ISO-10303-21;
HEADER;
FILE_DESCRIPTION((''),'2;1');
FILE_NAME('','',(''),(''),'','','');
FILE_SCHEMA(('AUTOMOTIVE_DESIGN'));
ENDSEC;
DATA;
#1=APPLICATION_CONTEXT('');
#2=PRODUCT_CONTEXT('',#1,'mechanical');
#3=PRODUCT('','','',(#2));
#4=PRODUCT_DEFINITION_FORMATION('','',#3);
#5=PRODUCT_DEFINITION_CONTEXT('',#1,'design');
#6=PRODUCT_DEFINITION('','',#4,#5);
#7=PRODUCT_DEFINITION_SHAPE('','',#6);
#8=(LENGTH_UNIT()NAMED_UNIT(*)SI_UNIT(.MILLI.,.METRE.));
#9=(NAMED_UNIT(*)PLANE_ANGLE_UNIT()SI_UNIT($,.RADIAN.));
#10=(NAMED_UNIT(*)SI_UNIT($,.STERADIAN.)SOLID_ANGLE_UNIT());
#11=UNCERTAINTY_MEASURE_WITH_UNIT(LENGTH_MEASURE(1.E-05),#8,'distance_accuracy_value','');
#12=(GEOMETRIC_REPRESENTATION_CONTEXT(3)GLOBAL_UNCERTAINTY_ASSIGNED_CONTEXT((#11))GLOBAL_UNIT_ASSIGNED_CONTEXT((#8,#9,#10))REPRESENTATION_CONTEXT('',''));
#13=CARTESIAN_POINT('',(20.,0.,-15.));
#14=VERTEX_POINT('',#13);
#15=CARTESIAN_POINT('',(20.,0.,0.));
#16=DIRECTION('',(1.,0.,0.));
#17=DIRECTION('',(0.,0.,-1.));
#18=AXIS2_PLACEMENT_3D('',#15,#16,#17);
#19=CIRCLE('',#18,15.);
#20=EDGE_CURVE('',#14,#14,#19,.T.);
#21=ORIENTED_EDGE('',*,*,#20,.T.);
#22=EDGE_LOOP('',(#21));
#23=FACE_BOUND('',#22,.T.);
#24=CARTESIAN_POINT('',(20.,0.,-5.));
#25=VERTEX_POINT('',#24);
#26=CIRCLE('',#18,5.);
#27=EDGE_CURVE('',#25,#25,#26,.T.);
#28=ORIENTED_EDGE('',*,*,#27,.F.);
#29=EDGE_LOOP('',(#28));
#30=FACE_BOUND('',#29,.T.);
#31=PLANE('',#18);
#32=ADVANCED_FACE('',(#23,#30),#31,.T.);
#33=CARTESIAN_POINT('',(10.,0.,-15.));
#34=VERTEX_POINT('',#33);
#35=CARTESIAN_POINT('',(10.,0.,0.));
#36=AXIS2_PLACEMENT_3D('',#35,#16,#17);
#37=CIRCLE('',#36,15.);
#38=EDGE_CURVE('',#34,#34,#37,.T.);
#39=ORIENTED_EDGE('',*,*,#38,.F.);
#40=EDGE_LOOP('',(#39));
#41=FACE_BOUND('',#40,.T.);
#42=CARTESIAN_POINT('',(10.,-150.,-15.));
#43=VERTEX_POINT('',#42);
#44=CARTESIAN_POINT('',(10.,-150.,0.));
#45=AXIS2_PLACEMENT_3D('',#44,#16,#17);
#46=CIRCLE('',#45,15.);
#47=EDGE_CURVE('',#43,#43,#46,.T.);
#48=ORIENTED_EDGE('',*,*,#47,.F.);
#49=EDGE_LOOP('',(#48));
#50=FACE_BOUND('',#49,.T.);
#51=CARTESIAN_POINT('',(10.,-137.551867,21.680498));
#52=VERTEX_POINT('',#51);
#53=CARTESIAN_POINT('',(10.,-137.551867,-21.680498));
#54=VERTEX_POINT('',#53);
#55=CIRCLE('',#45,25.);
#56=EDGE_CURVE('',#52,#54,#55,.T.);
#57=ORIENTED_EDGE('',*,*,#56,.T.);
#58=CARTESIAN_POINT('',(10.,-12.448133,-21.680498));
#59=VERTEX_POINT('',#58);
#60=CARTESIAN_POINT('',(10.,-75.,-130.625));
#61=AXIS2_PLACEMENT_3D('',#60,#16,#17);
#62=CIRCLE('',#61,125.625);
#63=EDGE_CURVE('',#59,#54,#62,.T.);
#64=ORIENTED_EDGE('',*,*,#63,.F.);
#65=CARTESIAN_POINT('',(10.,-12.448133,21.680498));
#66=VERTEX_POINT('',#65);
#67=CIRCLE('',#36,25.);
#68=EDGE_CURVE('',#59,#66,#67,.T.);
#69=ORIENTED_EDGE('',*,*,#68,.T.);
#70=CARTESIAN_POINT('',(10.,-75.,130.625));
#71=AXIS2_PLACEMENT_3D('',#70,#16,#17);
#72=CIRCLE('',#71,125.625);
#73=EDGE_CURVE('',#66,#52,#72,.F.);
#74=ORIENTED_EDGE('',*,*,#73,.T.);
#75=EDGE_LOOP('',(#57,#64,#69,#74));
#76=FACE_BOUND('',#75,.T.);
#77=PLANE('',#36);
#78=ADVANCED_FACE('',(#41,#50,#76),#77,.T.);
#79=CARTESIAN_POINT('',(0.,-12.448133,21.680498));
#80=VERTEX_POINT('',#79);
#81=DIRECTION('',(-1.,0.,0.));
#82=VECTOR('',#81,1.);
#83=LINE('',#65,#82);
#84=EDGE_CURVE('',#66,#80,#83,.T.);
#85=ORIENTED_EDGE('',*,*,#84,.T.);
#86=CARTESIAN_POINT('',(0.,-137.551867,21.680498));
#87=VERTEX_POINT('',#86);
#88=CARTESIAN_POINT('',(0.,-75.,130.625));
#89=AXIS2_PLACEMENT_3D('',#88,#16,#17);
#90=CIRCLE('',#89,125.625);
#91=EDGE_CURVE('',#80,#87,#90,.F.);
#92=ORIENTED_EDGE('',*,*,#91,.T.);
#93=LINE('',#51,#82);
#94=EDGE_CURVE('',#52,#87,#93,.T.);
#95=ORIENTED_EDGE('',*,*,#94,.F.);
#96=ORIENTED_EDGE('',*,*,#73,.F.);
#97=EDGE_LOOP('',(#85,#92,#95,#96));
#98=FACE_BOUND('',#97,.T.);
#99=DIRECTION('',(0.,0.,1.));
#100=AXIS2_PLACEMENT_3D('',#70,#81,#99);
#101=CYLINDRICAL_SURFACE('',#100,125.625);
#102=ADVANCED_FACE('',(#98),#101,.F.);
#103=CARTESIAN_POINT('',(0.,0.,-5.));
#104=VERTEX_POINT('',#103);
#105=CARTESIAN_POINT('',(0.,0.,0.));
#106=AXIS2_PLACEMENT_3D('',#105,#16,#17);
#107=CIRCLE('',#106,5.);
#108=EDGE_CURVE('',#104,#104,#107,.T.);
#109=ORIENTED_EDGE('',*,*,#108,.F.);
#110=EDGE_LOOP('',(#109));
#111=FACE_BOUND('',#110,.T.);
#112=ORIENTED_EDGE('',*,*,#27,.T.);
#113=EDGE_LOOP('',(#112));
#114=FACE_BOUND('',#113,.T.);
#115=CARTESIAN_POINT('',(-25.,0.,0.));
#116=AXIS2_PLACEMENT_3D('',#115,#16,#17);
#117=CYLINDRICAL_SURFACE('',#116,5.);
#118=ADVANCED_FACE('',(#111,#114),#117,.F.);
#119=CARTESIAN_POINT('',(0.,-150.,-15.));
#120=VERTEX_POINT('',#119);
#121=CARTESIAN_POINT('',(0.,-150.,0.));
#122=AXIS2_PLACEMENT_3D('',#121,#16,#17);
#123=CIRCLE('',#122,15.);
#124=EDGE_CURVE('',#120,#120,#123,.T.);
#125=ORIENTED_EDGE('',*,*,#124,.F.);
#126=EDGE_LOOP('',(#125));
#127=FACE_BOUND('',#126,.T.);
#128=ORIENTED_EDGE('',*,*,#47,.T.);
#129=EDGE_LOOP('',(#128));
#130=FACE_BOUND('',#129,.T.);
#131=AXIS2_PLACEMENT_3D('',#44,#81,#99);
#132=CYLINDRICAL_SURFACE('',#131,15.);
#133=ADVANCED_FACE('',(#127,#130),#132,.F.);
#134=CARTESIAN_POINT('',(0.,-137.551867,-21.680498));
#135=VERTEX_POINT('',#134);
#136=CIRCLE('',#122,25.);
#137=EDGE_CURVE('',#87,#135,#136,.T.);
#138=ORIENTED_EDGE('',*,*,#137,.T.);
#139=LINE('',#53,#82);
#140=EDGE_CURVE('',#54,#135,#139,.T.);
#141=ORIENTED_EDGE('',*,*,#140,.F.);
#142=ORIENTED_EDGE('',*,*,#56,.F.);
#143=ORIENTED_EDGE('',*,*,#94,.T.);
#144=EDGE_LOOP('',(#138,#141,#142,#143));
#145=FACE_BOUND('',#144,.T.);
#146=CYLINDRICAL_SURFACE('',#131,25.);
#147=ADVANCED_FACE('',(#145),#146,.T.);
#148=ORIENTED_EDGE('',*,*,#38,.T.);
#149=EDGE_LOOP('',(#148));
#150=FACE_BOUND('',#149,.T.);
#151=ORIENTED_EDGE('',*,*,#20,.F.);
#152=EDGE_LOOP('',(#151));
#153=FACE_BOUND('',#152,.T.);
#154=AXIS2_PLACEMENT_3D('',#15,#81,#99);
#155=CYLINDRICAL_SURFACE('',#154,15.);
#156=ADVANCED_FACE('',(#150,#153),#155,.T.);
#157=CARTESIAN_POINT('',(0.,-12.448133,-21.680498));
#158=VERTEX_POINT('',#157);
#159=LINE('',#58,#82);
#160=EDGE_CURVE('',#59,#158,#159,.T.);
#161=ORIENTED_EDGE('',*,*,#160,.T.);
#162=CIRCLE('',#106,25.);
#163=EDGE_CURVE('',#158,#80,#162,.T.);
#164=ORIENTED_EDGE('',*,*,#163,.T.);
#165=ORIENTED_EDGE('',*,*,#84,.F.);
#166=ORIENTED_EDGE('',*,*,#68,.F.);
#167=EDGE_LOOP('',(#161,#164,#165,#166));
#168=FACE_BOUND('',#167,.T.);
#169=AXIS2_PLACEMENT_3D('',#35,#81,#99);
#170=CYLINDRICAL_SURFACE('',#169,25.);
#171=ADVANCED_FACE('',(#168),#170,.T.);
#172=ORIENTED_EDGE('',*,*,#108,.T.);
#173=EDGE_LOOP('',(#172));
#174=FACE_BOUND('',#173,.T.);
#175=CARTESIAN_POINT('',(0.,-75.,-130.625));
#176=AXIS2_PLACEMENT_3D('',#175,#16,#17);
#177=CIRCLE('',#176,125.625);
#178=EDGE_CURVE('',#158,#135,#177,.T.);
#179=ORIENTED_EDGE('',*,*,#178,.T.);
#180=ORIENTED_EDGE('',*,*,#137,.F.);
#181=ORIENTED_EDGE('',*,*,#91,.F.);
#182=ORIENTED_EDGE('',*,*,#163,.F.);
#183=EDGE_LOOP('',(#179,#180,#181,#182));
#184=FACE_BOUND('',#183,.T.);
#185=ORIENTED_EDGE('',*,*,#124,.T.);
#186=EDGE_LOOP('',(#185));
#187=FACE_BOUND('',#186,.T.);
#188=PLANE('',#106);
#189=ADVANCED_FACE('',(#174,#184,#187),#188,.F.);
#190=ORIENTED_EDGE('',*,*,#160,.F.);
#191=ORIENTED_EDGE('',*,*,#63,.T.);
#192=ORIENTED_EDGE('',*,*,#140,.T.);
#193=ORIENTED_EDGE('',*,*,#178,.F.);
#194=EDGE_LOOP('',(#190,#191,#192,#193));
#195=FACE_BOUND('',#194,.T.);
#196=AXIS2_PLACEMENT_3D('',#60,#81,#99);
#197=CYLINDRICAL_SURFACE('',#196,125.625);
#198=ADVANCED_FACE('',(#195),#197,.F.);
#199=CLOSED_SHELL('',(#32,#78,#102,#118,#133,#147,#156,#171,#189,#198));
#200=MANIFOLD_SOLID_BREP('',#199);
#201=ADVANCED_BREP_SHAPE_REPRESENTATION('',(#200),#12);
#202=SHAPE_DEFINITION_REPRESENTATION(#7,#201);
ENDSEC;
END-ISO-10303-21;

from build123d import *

# Parameters (mm, degrees)
SKETCH1_R           = 15
BOSS_EXTRUDE1_DEPTH = 10
SKETCH2_R           = 15
BOSS_EXTRUDE2_DEPTH = 10
SKETCH3_R           = 5
CUT_EXTRUDE1_DEPTH  = 45


with BuildPart() as part:
    # Sketch1 → Boss-Extrude1 (new body)
    with BuildSketch(Plane(origin=(0, 0, 0), x_dir=(0, 0, -1), z_dir=(1, 0, 0))):
        with BuildLine():
            ThreePointArc((21.680497925, -12.44813278), (0, 25), (-21.680497925, -12.44813278))
            ThreePointArc((-21.680497925, -12.44813278), (-5, -75), (-21.680497925, -137.55186722))
            ThreePointArc((-21.680497925, -137.55186722), (0, -175), (21.680497925, -137.55186722))
            ThreePointArc((21.680497925, -137.55186722), (5, -75), (21.680497925, -12.44813278))
        make_face()
        with Locations((0, -150)):
            Circle(SKETCH1_R, mode=Mode.SUBTRACT)
    extrude(amount=BOSS_EXTRUDE1_DEPTH)

    # Sketch2 → Boss-Extrude2 (add)
    with BuildSketch(Plane(origin=(10, 0, 0), x_dir=(0, 0, -1), z_dir=(1, 0, 0))):
        Circle(SKETCH2_R)
    extrude(amount=BOSS_EXTRUDE2_DEPTH)

    # Sketch3 → Cut-Extrude1 (cut)
    with BuildSketch(Plane(origin=(20, 0, 0), x_dir=(0, 0, -1), z_dir=(1, 0, 0))):
        Circle(SKETCH3_R)
    extrude(amount=-CUT_EXTRUDE1_DEPTH, mode=Mode.SUBTRACT)


solid = part.part
